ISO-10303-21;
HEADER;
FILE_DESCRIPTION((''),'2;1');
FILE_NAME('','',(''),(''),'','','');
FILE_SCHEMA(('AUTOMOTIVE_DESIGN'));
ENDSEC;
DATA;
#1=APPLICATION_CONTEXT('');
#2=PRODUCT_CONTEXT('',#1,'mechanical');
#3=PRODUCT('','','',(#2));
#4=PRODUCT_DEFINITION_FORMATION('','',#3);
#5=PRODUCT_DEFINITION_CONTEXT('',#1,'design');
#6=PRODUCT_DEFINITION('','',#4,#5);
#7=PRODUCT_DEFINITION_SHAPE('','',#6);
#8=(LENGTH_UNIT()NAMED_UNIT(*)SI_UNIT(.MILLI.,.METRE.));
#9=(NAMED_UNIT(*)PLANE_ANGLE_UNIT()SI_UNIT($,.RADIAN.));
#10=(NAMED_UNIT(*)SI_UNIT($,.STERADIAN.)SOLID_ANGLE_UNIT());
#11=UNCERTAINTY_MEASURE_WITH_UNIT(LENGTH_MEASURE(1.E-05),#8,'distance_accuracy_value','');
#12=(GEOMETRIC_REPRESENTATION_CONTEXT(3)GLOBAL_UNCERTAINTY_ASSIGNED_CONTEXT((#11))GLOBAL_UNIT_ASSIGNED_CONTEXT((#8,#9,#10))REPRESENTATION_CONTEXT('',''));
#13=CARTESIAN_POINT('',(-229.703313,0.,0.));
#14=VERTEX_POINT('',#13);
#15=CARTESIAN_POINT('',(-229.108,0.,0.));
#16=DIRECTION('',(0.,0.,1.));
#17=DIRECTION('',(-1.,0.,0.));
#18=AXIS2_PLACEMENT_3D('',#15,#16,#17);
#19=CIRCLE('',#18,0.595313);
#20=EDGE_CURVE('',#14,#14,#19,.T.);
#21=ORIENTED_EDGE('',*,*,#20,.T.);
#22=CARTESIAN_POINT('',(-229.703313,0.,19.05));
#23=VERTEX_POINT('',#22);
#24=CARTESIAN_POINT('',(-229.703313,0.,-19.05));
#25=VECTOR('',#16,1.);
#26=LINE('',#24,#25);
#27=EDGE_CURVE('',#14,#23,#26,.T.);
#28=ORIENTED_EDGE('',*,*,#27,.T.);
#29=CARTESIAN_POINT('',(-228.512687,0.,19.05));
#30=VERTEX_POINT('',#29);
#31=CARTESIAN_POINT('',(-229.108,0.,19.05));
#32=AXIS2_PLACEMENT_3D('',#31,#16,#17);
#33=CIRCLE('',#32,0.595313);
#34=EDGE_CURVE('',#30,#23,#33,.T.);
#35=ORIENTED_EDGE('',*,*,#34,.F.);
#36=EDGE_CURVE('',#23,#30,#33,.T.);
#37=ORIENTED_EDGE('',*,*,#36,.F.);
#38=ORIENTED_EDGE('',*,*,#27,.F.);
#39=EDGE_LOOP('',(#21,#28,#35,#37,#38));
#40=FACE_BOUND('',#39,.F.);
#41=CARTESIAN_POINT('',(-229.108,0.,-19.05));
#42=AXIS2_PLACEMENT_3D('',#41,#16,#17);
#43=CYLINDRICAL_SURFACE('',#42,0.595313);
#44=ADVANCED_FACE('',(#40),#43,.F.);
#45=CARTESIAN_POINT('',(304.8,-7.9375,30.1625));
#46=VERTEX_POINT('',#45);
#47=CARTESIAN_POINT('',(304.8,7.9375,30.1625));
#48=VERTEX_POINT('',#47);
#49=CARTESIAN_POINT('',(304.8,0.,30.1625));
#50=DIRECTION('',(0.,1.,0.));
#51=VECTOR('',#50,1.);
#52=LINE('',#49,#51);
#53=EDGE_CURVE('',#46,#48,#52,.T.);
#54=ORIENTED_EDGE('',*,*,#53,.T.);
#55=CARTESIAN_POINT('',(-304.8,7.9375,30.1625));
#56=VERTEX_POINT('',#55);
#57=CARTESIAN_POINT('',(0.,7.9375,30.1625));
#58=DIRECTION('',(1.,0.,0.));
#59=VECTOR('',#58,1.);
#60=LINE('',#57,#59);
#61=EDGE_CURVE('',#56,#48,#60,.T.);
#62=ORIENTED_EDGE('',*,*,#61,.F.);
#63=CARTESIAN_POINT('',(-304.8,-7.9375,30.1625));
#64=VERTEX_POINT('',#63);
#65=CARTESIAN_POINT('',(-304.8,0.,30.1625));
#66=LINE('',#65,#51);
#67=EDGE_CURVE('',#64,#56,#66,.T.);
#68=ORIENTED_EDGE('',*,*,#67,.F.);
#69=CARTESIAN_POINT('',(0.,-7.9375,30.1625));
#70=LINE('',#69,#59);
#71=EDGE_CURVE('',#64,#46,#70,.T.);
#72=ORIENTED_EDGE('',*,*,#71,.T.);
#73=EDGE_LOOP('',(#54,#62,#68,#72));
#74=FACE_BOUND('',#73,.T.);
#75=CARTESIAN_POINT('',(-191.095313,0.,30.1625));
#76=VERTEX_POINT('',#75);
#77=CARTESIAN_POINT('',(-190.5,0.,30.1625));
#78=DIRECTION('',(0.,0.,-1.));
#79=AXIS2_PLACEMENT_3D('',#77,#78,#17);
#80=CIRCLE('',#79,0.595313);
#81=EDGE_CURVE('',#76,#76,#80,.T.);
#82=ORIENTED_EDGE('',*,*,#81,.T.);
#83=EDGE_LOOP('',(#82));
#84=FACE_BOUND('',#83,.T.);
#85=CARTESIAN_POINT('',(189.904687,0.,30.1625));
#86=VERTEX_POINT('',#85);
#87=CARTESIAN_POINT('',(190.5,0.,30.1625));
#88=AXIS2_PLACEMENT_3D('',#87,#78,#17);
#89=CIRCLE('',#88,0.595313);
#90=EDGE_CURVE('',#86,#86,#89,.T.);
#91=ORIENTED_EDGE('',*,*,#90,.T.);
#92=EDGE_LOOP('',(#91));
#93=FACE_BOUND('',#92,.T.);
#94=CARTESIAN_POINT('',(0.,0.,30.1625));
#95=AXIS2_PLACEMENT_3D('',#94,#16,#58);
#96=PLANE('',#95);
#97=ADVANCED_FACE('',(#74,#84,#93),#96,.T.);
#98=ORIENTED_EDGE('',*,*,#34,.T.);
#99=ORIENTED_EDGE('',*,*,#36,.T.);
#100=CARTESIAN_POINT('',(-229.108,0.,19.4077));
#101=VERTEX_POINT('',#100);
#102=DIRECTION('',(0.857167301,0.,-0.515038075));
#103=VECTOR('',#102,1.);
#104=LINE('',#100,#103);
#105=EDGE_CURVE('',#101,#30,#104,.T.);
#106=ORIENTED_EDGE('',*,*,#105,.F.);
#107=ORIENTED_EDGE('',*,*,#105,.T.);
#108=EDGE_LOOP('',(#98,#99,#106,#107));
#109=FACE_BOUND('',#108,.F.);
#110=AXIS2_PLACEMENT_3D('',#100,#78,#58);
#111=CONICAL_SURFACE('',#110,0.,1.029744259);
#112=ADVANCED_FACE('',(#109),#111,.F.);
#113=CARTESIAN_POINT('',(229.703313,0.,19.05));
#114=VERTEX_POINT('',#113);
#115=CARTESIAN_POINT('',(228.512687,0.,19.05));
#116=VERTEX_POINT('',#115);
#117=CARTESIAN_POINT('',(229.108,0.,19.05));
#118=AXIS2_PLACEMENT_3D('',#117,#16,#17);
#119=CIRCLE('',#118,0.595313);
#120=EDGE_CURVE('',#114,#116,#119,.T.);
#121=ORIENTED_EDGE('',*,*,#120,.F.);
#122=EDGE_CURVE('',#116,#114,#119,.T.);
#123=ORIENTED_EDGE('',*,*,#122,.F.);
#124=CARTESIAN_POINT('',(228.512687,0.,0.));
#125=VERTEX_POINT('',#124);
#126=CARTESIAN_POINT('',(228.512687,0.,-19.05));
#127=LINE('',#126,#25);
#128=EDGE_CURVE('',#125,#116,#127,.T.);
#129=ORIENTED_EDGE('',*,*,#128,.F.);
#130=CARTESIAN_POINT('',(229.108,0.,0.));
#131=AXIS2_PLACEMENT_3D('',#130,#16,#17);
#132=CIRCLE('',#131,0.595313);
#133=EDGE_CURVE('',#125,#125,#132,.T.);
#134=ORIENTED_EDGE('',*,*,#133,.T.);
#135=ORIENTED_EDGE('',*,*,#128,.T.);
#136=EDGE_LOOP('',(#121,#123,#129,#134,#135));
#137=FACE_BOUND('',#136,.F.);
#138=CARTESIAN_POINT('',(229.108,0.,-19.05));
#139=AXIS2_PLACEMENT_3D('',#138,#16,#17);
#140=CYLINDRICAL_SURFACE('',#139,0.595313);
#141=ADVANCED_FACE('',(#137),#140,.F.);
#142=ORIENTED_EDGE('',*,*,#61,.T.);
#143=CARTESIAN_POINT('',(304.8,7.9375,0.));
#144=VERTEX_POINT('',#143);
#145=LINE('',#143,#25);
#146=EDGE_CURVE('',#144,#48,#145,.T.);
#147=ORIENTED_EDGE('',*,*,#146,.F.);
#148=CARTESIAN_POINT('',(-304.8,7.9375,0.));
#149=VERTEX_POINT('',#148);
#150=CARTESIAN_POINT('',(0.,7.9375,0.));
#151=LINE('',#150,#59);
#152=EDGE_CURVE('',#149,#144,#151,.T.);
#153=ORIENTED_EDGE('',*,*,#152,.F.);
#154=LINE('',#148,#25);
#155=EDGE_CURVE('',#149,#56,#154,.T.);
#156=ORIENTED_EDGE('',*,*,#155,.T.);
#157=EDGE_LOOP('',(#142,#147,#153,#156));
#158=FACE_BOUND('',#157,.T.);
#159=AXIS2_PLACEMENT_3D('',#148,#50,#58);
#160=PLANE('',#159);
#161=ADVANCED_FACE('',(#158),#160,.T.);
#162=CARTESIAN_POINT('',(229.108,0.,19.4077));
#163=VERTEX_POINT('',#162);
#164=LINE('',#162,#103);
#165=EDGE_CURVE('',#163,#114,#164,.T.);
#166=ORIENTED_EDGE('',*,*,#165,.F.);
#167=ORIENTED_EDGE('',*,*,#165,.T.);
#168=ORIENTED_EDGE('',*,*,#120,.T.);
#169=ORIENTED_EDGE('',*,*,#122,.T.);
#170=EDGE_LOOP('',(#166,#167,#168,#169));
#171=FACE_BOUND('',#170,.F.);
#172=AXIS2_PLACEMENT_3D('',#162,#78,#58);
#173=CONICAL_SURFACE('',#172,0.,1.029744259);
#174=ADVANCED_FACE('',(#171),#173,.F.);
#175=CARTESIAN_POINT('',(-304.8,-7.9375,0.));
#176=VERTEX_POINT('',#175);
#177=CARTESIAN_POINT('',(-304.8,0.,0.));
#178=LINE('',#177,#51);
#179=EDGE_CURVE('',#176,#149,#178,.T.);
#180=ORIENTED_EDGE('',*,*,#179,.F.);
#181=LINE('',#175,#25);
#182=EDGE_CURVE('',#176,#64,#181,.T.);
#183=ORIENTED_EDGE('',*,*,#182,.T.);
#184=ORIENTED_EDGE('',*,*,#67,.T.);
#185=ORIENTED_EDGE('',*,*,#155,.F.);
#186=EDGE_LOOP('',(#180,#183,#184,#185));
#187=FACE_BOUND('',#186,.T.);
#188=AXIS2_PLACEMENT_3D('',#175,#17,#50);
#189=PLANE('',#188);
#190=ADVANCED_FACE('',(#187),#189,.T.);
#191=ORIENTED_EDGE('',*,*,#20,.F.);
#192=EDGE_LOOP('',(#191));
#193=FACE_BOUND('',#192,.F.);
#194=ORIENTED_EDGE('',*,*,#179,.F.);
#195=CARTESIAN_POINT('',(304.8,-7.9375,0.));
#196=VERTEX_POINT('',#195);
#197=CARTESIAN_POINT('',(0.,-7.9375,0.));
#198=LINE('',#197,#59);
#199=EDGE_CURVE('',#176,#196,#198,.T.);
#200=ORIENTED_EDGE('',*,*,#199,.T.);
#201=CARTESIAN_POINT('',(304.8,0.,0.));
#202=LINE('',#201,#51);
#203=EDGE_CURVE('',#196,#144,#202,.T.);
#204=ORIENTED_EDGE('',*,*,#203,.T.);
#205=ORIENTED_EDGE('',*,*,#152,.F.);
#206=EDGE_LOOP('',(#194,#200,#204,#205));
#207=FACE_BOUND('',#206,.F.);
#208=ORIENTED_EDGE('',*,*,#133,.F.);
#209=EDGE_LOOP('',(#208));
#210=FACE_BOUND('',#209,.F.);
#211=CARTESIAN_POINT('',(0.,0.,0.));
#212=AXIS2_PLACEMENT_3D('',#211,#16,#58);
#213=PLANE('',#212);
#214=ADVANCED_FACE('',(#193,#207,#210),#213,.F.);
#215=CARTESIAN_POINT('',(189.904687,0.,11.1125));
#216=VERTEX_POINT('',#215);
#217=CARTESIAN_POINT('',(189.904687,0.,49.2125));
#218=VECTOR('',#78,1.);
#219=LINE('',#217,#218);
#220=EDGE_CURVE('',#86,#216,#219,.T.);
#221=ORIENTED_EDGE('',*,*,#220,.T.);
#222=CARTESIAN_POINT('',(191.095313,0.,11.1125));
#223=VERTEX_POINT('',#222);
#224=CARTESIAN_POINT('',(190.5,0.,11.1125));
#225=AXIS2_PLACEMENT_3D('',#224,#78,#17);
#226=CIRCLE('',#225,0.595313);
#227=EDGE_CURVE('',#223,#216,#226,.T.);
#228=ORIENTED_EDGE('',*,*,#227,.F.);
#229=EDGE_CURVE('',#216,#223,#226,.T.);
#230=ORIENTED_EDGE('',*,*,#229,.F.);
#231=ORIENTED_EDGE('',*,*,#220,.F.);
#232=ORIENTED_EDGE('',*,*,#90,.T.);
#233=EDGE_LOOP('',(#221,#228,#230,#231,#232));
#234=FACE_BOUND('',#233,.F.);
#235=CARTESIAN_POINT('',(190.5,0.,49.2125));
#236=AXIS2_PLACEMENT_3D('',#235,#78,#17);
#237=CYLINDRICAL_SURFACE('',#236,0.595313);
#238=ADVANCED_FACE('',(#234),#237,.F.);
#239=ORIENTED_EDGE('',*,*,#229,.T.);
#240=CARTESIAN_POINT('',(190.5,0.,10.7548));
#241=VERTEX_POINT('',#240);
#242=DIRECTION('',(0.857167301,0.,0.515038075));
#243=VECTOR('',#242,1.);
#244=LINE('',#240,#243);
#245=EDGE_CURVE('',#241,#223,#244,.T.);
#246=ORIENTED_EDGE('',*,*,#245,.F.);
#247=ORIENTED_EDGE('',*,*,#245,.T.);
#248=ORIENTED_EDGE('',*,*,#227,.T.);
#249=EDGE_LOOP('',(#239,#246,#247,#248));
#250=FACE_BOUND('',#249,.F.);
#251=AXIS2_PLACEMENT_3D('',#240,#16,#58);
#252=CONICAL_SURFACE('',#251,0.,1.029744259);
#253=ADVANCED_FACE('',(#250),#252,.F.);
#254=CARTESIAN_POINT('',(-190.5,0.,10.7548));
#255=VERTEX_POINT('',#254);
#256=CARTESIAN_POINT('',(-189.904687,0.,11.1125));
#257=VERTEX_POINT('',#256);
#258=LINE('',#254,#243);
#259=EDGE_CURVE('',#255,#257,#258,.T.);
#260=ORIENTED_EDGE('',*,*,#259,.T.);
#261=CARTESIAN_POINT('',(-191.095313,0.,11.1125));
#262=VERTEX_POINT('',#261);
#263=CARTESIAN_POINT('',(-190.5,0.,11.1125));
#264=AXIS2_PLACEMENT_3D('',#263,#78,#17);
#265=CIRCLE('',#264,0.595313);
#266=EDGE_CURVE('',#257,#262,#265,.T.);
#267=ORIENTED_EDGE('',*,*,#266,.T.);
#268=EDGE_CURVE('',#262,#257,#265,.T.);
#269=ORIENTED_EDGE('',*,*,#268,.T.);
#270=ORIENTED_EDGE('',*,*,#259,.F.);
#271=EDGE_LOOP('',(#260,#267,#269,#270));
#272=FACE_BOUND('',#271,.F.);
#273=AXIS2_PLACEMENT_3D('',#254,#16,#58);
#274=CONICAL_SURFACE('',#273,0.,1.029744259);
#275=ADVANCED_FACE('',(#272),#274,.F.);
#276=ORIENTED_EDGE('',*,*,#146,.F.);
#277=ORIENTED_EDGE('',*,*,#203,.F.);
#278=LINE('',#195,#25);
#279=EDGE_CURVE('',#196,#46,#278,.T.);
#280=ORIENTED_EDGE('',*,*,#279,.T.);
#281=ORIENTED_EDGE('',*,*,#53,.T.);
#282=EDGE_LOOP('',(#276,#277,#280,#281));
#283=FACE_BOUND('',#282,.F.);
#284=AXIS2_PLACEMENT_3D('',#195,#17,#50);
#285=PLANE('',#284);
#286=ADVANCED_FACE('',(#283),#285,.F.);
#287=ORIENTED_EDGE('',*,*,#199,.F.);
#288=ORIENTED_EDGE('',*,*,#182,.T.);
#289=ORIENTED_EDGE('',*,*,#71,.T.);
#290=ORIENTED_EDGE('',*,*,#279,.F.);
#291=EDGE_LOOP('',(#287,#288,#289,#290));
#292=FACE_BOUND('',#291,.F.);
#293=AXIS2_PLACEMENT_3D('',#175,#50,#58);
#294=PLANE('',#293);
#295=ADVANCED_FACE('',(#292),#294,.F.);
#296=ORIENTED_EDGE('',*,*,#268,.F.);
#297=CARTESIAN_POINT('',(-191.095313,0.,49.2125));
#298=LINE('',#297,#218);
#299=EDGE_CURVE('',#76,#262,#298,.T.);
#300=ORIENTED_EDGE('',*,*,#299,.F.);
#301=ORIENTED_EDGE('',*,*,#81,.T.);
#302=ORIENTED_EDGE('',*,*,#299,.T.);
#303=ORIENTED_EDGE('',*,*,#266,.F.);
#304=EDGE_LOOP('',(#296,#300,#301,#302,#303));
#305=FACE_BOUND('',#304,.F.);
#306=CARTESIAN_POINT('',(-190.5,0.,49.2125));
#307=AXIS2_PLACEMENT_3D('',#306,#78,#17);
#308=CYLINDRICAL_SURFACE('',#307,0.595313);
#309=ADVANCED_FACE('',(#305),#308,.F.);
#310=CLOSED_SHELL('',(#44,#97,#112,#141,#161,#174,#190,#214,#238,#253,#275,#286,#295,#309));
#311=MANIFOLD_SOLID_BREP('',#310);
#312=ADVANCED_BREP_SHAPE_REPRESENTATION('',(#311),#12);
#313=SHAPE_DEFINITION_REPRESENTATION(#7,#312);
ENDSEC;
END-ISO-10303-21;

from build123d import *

# Parameters (mm, degrees)
F0_W     = 609.6
F0_H     = 15.875
F1_DEPTH = 30.1625
F3_D     = 1.190625
F3_DEPTH = 19.05
F3_TIP   = 0.3576998373
F5_D     = 1.190625
F5_DEPTH = 19.05
F5_TIP   = 0.3576998373


with BuildPart() as f1:
    # F0 (on Top) → F1 (new body)
    with BuildSketch(Plane.XY):
        Rectangle(F0_W, F0_H)
    extrude(amount=F1_DEPTH)

    # F3
    with Locations(Plane(origin=(0, 0, 0), x_dir=(1, 0, 0), z_dir=(0, 0, -1))):
        with Locations((229.108, 0), (-229.108, 0)):
            Hole(F3_D / 2, depth=F3_DEPTH)
            with Locations((0, 0, -(F3_DEPTH + F3_TIP / 2))):  # 118° drill point
                Cone(0, F3_D / 2, F3_TIP, mode=Mode.SUBTRACT)

    # F5
    with Locations(Plane.XY.offset(30.1625)):
        with Locations((190.5, 0), (-190.5, 0)):
            Hole(F5_D / 2, depth=F5_DEPTH)
            with Locations((0, 0, -(F5_DEPTH + F5_TIP / 2))):  # 118° drill point
                Cone(0, F5_D / 2, F5_TIP, mode=Mode.SUBTRACT)


solid = f1.part
